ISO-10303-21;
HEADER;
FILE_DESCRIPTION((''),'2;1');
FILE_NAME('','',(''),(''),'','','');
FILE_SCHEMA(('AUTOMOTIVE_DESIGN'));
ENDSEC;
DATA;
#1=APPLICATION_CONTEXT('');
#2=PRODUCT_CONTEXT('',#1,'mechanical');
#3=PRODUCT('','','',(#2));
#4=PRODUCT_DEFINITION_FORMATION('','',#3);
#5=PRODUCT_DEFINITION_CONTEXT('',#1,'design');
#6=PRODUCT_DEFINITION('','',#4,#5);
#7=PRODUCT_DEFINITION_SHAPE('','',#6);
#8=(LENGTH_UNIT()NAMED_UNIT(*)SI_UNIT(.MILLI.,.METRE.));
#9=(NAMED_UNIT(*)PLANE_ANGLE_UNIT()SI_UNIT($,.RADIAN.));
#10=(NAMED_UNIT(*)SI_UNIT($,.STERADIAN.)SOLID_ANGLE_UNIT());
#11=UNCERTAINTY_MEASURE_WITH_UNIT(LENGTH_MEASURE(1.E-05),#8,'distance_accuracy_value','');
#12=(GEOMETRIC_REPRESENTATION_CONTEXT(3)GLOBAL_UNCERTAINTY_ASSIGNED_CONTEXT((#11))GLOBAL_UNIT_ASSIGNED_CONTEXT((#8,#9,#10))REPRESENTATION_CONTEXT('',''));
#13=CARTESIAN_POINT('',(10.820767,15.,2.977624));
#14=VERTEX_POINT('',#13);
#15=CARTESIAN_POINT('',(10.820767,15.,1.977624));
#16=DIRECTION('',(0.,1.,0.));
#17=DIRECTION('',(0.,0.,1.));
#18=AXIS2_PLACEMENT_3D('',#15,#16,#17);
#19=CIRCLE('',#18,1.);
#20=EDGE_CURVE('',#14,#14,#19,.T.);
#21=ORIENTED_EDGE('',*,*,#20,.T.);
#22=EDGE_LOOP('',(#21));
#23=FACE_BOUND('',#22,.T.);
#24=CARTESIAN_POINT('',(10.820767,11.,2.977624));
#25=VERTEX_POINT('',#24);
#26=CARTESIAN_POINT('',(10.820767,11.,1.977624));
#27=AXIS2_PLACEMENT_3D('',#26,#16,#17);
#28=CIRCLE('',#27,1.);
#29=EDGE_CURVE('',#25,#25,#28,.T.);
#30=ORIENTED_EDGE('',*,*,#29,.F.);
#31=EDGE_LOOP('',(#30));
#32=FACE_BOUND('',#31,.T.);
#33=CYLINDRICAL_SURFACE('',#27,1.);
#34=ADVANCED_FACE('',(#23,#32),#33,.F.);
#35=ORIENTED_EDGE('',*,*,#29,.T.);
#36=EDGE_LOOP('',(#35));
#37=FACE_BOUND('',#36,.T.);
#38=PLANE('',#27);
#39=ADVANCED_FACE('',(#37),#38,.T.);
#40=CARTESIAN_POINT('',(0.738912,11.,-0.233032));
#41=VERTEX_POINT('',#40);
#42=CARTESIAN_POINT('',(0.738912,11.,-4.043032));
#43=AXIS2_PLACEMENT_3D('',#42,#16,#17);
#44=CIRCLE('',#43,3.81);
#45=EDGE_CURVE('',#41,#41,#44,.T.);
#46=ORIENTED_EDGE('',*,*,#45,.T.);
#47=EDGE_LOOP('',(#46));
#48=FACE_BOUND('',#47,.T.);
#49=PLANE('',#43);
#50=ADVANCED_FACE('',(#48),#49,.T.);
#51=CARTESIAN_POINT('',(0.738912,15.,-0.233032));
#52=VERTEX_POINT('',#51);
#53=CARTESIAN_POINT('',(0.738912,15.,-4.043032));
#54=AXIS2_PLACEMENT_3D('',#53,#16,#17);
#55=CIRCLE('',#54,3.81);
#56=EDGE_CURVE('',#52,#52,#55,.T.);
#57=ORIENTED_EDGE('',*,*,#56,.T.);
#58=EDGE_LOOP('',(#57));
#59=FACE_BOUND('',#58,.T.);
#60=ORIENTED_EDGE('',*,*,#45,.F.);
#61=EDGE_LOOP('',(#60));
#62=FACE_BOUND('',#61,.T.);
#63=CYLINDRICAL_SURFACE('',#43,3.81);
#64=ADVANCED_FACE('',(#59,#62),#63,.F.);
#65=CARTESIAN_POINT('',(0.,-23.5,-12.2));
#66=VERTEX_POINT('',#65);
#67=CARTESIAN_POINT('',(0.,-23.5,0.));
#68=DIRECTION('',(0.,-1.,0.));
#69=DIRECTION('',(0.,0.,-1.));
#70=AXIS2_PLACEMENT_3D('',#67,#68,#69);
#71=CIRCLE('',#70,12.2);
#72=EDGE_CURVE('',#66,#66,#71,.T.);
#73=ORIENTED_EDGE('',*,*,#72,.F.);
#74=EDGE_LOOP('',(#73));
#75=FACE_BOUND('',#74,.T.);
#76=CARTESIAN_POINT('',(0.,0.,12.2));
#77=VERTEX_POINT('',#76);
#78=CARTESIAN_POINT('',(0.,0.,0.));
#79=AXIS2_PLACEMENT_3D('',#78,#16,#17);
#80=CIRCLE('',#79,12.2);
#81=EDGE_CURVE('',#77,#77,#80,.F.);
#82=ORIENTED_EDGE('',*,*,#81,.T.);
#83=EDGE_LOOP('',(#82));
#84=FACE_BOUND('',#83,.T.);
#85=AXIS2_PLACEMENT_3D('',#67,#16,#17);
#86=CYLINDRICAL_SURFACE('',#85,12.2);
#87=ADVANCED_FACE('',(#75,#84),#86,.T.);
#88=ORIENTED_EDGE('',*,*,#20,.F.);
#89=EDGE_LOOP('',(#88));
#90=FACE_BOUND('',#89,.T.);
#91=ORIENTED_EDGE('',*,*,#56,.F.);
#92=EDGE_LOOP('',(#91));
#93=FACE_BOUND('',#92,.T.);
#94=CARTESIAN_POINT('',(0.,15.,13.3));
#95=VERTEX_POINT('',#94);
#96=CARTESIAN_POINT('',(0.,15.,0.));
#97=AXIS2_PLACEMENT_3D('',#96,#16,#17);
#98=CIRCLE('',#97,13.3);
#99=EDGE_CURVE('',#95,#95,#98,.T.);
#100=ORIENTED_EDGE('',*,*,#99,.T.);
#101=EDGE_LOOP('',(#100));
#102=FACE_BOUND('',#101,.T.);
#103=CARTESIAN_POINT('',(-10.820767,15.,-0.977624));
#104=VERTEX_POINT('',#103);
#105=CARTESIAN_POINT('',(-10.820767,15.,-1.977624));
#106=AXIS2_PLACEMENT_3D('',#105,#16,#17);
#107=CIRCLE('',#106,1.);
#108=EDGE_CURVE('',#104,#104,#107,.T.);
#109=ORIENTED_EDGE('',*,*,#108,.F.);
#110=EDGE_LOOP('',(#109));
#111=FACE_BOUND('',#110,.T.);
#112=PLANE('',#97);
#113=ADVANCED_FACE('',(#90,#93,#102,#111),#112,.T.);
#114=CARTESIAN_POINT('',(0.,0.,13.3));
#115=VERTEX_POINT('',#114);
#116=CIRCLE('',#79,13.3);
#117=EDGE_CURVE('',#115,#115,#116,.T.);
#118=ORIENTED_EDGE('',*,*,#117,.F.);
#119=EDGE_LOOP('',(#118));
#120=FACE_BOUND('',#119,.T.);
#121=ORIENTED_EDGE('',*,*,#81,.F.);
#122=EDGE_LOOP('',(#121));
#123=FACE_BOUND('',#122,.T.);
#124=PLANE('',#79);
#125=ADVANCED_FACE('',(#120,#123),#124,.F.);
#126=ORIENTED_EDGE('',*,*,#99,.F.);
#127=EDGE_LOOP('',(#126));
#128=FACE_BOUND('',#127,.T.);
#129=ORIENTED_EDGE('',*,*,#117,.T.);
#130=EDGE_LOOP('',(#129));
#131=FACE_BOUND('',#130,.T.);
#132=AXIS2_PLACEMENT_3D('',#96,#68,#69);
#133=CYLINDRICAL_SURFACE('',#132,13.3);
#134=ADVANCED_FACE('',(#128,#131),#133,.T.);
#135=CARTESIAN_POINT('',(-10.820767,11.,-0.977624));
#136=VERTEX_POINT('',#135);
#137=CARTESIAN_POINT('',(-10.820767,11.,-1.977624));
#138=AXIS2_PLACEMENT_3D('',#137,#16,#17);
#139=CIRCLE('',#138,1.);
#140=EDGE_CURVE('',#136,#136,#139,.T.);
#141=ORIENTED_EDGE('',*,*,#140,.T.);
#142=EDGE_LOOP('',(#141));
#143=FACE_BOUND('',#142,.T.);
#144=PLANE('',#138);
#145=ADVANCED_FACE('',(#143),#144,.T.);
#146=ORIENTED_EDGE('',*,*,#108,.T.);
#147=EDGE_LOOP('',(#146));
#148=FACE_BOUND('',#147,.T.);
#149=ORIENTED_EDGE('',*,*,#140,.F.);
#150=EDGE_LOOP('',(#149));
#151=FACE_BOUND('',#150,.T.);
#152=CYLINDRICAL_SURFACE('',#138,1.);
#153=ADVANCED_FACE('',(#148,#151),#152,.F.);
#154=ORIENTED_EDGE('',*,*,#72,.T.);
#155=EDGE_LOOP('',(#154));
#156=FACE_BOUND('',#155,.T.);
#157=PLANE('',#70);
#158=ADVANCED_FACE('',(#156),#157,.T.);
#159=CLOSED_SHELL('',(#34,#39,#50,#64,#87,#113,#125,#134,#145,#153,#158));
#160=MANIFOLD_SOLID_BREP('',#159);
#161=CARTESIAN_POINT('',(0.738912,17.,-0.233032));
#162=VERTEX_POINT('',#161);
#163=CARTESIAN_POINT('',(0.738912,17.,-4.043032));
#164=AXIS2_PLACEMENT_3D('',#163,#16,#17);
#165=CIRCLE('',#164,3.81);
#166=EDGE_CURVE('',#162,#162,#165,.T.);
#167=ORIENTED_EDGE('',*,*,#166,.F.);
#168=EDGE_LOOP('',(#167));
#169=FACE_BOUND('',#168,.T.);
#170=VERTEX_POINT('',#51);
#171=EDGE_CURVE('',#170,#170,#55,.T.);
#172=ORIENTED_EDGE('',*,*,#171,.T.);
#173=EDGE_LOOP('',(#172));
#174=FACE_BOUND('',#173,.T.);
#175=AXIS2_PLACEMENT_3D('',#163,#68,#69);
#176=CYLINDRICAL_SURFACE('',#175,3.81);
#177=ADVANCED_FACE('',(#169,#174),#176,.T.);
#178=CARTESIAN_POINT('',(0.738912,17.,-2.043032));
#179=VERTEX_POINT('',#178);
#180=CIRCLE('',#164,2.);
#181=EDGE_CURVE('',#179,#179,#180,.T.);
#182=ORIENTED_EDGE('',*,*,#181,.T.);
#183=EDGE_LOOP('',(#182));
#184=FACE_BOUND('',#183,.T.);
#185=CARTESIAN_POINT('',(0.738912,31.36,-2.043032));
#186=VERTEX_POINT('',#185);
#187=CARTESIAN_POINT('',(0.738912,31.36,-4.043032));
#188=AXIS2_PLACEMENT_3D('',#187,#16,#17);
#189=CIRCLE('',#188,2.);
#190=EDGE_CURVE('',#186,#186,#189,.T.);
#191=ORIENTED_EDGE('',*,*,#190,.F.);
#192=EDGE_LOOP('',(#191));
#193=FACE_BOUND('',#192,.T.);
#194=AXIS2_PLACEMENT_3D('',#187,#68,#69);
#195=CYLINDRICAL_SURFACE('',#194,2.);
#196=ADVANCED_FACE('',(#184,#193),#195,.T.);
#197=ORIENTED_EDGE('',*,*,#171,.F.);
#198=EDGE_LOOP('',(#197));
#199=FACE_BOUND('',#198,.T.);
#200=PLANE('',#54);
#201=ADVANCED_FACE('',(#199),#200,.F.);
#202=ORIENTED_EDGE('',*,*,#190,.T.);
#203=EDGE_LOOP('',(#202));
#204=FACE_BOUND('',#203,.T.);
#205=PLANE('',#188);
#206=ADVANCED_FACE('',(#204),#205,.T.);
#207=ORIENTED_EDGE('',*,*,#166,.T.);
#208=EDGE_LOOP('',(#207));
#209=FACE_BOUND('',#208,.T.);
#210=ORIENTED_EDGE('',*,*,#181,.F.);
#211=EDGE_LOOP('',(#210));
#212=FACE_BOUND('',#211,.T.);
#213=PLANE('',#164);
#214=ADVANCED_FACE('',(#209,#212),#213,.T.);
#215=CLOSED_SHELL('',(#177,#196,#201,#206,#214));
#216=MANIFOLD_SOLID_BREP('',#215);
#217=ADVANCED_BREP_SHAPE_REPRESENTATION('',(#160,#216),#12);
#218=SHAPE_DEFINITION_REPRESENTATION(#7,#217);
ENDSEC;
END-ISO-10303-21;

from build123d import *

# Parameters (mm, degrees)
SKETCH1_R           = 13.3
BOSS_EXTRUDE1_DEPTH = 15
SKETCH2_R           = 12.2
BOSS_EXTRUDE2_DEPTH = 23.5
SKETCH3_R           = 3.81
BOSS_EXTRUDE4_DEPTH = 2
CUT_EXTRUDE2_START  = -4
SKETCH3_6_R         = 1
SKETCH3_6_R_2       = 3.81
CUT_EXTRUDE2_DEPTH  = 4
SKETCH7_R           = 2
BOSS_EXTRUDE5_DEPTH = 14.36


with BuildPart() as part:
    # Sketch1 → Boss-Extrude1 (new body)
    with BuildSketch(Plane(origin=(0, 0, 0), x_dir=(1, 0, 0), z_dir=(0, 1, 0))):
        Circle(SKETCH1_R)
    extrude(amount=BOSS_EXTRUDE1_DEPTH)

    # Sketch2 → Boss-Extrude2 (add)
    with BuildSketch(Plane.XZ):
        Circle(SKETCH2_R)
    extrude(amount=BOSS_EXTRUDE2_DEPTH)

    # Sketch3 → Boss-Extrude4 (add)
    with BuildSketch(Plane(origin=(0, 15, 0), x_dir=(1, 0, 0), z_dir=(0, 1, 0))):
        with Locations((0.738912194, 4.043032126)):
            Circle(SKETCH3_R)
    extrude(amount=BOSS_EXTRUDE4_DEPTH)

    # Sketch3<6> → Cut-Extrude2 (cut)
    with BuildSketch(Plane(origin=(0, 15, 0), x_dir=(1, 0, 0), z_dir=(0, 1, 0)).offset(CUT_EXTRUDE2_START)):
        with Locations((10.820767246, -1.977623877)):
            Circle(SKETCH3_6_R)
        with Locations((-10.820767246, 1.977623877)):
            Circle(SKETCH3_6_R)
        with Locations((0.738912194, 4.043032126)):
            Circle(SKETCH3_6_R_2)
    extrude(amount=CUT_EXTRUDE2_DEPTH, mode=Mode.SUBTRACT)


with BuildPart() as cut_extrude2_piece_1:
    # of the separate pieces the step leaves, piece 1, a body of its own (cut_extrude2_pieces)
    add(part.part.solids().sort_by_distance((13.3, 0, 0))[0])


with BuildPart() as cut_extrude2_piece_2:
    # of the separate pieces the step leaves, piece 2, a body of its own (cut_extrude2_pieces)
    add(part.part.solids().sort_by_distance((4.548912194, 17, -4.043032126))[0])

    # Sketch7 → Boss-Extrude5 (add)
    with BuildSketch(Plane(origin=(0, 17, 0), x_dir=(1, 0, 0), z_dir=(0, 1, 0))):
        with Locations((0.738912194, 4.043032126)):
            Circle(SKETCH7_R)
    extrude(amount=BOSS_EXTRUDE5_DEPTH)


solid = Compound([cut_extrude2_piece_1.part, cut_extrude2_piece_2.part])
